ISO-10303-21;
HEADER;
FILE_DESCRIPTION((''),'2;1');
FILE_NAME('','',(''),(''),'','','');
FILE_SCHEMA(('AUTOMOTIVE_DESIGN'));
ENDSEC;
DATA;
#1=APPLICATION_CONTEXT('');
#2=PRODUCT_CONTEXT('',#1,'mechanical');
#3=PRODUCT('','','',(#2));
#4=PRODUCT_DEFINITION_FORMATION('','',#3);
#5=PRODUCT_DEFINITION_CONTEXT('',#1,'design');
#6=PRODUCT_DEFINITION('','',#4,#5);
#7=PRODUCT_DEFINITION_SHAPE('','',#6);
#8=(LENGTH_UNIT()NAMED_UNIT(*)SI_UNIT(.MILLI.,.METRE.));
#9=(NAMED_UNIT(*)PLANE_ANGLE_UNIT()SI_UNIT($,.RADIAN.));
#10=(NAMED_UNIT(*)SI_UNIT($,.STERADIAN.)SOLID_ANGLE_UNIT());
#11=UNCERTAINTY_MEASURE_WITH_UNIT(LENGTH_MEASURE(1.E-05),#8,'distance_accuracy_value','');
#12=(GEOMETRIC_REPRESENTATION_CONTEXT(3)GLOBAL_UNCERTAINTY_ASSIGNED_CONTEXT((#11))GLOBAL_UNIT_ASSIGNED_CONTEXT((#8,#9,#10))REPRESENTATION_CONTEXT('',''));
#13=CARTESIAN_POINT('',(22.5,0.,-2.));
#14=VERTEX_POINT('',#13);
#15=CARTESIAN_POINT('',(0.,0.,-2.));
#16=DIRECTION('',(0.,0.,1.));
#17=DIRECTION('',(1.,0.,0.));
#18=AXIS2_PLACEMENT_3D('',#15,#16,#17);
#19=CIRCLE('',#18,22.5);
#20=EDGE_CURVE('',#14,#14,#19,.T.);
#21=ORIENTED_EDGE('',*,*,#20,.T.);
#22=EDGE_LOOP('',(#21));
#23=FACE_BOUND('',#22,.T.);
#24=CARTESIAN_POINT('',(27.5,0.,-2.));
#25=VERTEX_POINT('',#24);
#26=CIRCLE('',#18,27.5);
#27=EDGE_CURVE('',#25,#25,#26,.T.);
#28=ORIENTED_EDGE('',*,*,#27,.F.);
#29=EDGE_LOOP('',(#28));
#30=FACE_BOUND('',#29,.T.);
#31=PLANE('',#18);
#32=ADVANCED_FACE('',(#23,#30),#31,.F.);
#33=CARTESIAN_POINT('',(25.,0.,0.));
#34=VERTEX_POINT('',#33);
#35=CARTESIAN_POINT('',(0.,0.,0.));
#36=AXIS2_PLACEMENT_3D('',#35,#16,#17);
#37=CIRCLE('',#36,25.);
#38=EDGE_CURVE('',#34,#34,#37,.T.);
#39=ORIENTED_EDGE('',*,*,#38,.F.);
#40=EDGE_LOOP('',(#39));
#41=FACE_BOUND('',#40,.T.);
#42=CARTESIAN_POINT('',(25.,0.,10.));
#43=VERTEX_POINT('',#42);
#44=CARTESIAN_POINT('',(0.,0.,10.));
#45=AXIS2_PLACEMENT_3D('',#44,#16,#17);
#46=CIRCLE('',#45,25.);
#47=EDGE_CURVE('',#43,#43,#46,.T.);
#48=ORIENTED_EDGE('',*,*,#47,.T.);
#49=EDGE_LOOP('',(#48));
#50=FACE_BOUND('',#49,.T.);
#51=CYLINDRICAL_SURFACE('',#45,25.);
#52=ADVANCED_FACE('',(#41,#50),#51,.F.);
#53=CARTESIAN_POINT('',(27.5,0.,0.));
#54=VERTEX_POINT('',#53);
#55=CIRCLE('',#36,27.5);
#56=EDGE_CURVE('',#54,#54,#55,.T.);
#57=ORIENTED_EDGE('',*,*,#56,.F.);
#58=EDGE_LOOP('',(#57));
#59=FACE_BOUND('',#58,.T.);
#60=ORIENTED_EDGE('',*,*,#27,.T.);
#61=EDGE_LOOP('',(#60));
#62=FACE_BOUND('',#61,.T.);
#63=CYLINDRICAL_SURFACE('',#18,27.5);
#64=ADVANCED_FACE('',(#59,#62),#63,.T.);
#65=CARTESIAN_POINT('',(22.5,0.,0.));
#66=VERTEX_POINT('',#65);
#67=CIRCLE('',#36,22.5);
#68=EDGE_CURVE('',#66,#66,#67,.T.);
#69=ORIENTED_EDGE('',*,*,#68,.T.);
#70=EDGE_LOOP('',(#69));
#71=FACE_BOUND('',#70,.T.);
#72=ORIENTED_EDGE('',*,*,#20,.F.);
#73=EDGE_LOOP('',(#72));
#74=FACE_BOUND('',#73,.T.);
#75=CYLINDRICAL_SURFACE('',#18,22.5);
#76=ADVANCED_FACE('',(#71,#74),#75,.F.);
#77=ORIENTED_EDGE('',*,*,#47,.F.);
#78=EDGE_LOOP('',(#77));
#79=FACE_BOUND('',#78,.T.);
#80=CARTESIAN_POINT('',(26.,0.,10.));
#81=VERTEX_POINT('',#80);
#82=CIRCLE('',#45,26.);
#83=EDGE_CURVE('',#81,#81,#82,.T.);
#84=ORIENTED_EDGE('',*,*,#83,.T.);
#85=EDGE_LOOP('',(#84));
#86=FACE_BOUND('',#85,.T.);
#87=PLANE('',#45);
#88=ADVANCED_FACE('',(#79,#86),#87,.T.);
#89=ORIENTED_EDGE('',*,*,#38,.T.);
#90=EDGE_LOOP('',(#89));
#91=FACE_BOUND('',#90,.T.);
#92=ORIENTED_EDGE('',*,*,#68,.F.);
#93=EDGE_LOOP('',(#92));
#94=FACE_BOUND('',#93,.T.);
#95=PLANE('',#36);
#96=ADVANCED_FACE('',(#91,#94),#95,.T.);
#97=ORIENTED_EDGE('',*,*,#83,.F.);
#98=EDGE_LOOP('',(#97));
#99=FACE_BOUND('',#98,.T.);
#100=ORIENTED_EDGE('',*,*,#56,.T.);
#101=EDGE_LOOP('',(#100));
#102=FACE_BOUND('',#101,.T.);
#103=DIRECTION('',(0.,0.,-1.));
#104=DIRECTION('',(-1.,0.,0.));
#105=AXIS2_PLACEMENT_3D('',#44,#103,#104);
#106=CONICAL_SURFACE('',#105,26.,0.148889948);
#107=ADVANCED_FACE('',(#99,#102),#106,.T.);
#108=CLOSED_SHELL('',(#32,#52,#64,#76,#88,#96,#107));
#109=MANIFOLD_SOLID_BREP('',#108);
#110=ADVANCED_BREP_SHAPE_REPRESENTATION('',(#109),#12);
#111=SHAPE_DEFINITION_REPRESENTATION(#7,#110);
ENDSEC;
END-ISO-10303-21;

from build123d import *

# Parameters (mm, degrees)
SKETCH_1_R      = 27.5
SKETCH_1_R_2    = 22.5
EXTRUDE_1_DEPTH = 2


with BuildPart() as part:
    # 草圖5 → 旋轉2 (revolve)
    with BuildSketch(Plane(origin=(0, 0, 0), x_dir=(0, 0, -1), z_dir=(1, 0, 0))):
        Polygon((-10, 26), (0, 27.5), (0, 25), (-10, 25), align=None)
    revolve(axis=Axis((0, 0, 10), (0, 0, -1)))

    # 草圖1 → 填料-伸長1 (add)
    with BuildSketch(Plane.XY):
        Circle(SKETCH_1_R)
        Circle(SKETCH_1_R_2, mode=Mode.SUBTRACT)
    extrude(amount=-EXTRUDE_1_DEPTH)


solid = part.part
